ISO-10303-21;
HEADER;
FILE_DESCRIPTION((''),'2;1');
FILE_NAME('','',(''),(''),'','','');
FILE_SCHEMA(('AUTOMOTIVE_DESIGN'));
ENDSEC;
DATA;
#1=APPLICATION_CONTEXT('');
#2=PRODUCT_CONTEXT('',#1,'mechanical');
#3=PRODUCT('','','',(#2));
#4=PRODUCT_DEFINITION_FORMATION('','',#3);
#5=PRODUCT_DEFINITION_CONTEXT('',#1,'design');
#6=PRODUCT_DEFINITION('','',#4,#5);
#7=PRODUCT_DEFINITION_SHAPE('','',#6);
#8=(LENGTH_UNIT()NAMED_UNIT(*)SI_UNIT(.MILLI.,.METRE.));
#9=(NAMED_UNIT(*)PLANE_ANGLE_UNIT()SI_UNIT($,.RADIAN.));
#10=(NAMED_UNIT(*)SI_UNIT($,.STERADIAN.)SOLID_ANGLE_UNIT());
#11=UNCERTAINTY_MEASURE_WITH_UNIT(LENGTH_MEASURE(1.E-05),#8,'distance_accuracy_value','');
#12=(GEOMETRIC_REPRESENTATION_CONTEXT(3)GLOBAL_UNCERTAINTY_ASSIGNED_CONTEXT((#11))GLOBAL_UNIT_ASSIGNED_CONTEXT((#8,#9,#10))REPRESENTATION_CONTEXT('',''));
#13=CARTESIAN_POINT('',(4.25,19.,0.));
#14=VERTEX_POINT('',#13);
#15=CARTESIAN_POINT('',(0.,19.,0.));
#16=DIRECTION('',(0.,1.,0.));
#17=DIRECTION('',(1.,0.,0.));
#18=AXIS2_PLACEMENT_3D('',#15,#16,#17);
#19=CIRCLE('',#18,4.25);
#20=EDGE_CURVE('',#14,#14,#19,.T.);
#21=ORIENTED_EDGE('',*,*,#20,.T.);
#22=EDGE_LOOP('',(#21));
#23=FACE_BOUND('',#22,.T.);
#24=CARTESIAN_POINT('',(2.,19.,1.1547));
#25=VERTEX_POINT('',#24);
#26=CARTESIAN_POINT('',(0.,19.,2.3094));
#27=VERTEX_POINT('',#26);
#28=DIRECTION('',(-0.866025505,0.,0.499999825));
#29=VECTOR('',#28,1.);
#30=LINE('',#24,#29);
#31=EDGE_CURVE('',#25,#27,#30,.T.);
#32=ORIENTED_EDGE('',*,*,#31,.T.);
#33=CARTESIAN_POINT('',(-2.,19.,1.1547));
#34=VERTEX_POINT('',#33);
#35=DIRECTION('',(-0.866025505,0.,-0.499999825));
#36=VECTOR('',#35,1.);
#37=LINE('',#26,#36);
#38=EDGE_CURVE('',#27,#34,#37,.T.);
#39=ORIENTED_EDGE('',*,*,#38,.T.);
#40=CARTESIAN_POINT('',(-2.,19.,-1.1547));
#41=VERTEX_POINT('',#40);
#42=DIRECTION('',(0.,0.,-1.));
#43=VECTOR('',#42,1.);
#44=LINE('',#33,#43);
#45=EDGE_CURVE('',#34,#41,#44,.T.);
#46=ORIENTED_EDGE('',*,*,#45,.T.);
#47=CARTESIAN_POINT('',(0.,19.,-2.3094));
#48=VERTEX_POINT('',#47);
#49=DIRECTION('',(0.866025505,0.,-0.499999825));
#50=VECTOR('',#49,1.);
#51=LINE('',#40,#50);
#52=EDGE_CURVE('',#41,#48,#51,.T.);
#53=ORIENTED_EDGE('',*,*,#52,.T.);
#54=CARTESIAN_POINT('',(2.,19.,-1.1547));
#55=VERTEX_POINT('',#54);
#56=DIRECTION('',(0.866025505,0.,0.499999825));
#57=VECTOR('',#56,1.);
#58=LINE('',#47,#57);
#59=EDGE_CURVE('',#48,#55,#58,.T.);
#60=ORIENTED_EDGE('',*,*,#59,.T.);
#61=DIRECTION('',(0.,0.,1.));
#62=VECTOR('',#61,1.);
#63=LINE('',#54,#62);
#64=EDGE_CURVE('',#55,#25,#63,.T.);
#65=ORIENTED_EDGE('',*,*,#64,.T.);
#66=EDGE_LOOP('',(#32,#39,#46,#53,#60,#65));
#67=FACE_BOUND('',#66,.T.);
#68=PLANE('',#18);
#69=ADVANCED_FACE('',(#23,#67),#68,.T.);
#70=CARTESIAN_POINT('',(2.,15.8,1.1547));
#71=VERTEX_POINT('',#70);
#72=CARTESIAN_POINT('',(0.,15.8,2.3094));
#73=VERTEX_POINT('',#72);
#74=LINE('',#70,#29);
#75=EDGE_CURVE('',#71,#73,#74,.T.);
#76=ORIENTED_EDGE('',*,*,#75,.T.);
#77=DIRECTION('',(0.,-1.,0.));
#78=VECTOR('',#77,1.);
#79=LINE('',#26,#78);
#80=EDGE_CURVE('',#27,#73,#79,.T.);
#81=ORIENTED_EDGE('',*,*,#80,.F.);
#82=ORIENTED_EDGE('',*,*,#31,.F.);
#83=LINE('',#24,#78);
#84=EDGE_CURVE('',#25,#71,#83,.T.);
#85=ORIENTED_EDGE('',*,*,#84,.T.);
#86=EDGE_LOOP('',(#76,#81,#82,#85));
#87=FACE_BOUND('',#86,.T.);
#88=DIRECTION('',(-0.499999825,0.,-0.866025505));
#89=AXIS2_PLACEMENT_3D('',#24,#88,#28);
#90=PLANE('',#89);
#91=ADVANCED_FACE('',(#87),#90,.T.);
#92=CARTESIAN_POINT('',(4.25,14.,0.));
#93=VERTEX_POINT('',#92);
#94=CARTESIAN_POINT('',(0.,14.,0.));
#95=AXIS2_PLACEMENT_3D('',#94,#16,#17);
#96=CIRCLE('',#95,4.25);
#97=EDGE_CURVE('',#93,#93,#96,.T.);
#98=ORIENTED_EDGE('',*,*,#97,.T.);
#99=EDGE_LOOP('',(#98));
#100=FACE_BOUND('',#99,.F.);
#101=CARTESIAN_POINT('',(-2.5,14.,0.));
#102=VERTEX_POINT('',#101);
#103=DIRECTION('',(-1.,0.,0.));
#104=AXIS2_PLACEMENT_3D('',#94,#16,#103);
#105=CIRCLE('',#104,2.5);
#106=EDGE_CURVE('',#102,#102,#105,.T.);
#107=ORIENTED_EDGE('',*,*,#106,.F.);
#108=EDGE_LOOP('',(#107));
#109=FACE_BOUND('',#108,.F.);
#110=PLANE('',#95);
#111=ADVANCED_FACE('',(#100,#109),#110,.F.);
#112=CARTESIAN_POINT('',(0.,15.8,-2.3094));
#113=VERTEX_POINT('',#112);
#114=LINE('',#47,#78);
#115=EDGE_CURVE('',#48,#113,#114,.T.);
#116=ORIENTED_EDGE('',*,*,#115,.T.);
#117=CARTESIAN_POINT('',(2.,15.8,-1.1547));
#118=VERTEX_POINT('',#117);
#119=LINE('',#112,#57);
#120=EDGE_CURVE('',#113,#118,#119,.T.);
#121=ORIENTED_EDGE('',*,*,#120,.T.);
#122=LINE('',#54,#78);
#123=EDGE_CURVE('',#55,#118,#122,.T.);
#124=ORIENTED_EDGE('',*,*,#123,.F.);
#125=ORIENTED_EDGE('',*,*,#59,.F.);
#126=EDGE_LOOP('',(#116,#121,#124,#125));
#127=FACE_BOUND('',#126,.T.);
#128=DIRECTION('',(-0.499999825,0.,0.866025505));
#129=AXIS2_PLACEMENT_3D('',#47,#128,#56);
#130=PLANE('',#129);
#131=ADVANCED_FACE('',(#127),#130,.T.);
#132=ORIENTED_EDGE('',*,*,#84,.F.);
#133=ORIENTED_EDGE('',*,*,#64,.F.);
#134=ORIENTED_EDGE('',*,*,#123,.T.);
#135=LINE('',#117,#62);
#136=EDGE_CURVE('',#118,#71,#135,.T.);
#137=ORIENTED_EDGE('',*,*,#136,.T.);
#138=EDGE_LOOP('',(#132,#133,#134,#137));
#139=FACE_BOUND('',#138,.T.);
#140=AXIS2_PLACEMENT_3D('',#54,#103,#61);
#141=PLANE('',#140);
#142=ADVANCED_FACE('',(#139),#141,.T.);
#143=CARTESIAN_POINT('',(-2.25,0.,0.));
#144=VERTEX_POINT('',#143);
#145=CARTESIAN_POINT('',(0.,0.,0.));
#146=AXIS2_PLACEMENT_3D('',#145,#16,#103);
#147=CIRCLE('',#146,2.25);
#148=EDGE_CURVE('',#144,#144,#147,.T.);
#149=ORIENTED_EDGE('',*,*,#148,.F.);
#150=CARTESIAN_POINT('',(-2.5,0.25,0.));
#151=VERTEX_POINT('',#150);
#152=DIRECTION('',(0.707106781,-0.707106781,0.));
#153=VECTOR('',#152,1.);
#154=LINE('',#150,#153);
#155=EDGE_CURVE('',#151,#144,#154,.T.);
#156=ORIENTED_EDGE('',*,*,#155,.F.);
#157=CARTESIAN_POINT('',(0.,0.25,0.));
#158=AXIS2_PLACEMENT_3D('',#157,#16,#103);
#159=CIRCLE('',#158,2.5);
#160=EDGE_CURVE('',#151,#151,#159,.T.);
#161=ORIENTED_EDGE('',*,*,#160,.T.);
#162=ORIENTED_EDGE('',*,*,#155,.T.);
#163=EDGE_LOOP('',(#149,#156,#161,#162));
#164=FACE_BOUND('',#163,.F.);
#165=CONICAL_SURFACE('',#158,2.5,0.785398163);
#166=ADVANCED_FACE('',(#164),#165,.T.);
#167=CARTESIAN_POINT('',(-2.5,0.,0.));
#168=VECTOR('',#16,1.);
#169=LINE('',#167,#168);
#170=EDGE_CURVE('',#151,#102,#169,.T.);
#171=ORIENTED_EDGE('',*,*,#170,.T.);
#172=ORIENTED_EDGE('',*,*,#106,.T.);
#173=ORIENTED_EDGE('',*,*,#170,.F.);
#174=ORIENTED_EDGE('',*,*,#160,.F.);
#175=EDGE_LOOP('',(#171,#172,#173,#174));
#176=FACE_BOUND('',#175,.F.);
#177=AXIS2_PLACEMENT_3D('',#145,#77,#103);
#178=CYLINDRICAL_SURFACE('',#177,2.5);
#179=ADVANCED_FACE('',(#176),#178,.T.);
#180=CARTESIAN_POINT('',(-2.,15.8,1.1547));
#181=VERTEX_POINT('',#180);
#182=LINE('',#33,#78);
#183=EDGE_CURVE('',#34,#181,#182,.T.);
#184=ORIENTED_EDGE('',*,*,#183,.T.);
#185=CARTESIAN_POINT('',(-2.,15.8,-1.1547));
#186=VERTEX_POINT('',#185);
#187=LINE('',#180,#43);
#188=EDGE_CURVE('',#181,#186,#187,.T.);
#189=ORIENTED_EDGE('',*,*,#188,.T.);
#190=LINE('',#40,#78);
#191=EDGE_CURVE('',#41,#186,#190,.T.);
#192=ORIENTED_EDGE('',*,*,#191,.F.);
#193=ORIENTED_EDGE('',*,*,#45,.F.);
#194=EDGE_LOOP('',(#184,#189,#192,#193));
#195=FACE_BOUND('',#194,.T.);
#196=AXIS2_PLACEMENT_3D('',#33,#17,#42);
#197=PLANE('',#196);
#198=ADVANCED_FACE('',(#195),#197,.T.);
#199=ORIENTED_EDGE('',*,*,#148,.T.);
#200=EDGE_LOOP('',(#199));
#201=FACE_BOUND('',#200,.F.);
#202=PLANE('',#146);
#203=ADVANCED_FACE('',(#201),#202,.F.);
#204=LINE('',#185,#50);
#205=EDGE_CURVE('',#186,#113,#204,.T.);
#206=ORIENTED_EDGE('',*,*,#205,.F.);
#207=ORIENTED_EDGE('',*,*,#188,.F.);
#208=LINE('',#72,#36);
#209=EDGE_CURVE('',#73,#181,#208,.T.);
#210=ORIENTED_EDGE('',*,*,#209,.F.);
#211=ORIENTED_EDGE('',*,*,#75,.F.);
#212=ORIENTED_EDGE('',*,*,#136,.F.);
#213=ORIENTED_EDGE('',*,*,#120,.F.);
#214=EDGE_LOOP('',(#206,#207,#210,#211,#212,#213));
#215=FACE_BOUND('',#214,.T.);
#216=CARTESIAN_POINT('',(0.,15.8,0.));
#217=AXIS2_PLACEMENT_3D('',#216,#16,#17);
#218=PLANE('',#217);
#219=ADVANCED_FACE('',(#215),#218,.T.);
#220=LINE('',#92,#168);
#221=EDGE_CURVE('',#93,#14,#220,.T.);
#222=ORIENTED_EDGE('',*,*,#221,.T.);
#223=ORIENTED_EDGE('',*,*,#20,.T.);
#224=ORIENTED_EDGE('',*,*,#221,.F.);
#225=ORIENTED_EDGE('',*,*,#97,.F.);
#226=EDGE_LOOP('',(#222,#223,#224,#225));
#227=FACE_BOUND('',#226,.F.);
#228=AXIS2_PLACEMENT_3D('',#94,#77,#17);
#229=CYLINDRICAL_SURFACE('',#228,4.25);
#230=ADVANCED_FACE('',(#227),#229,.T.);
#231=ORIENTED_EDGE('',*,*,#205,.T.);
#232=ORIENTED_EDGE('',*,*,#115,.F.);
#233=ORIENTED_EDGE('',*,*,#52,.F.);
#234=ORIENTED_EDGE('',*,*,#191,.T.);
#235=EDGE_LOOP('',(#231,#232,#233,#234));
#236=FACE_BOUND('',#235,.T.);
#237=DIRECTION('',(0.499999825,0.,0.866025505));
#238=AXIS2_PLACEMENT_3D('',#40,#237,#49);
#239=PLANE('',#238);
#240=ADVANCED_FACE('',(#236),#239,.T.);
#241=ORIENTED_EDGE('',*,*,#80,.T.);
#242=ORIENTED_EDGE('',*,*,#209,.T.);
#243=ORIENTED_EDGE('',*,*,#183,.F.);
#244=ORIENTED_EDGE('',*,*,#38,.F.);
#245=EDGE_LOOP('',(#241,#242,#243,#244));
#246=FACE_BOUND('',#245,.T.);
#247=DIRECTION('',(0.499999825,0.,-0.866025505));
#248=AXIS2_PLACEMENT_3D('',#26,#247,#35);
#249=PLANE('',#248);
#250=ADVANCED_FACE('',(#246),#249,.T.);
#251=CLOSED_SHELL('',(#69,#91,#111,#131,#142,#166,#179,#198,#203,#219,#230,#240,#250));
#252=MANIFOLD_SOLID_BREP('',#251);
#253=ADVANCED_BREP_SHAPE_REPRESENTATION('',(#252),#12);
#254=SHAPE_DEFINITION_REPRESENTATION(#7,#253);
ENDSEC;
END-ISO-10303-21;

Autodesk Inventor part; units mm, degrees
ref_plane "YZ Plane" through (0, 0, 0) normal (1, 0, 0) x (0, 1, 0)
ref_plane "XZ Plane" through (0, 0, 0) normal (0, 1, 0) x (-1, 0, 0)
ref_plane "XY Plane" through (0, 0, 0) normal (0, 0, 1) x (1, 0, 0)
sketch "Sketch1" plane through (0, 0, 0) normal (0, 1, 0) x (-1, 0, 0)
  circle A0 centre (0, 0) radius 2.5
  dimension "d0" = 5
extrude "Extrusion1" add sketch "Sketch1" along normal blind 14
sketch "Sketch2" plane through (0, 14, 0) normal (0, 1, 0) x (1, 0, 0)
  circle A0 centre (0, 0) radius 2.5 projected
  circle A1 centre (0, 0) radius 4.25
  dimension "d3" = 8.5
extrude "Extrusion2" add sketch "Sketch2" along normal blind 5 contours A0 | A1
sketch "Sketch3" plane through (0, 19, 0) normal (0, 1, 0) x (1, 0, 0)
  circle A0 centre (0, 0) radius 4.25 projected
  line L0 (0, 2.3094) -> (2, 1.1547)
  line L1 (2, 1.1547) -> (2, -1.1547)
  line L2 (2, -1.1547) -> (0, -2.3094)
  line L3 (0, -2.3094) -> (-2, -1.1547)
  line L4 (-2, -1.1547) -> (-2, 1.1547)
  line L5 (-2, 1.1547) -> (0, 2.3094)
  dimension "d6" = 2
extrude "Extrusion3" cut sketch "Sketch3" against normal blind 3.2 contours L0 L1 L2 L3 L4 L5
thread "Thread1" size "M5x0.8" class "6g" standard "ANSI Metric M Profile" full length
chamfer "Chamfer1" distance 0.25 angle 45 1 edges at (2.5, 0, 0)
properties part number "M5x14SHCS" material "Stainless Steel"
